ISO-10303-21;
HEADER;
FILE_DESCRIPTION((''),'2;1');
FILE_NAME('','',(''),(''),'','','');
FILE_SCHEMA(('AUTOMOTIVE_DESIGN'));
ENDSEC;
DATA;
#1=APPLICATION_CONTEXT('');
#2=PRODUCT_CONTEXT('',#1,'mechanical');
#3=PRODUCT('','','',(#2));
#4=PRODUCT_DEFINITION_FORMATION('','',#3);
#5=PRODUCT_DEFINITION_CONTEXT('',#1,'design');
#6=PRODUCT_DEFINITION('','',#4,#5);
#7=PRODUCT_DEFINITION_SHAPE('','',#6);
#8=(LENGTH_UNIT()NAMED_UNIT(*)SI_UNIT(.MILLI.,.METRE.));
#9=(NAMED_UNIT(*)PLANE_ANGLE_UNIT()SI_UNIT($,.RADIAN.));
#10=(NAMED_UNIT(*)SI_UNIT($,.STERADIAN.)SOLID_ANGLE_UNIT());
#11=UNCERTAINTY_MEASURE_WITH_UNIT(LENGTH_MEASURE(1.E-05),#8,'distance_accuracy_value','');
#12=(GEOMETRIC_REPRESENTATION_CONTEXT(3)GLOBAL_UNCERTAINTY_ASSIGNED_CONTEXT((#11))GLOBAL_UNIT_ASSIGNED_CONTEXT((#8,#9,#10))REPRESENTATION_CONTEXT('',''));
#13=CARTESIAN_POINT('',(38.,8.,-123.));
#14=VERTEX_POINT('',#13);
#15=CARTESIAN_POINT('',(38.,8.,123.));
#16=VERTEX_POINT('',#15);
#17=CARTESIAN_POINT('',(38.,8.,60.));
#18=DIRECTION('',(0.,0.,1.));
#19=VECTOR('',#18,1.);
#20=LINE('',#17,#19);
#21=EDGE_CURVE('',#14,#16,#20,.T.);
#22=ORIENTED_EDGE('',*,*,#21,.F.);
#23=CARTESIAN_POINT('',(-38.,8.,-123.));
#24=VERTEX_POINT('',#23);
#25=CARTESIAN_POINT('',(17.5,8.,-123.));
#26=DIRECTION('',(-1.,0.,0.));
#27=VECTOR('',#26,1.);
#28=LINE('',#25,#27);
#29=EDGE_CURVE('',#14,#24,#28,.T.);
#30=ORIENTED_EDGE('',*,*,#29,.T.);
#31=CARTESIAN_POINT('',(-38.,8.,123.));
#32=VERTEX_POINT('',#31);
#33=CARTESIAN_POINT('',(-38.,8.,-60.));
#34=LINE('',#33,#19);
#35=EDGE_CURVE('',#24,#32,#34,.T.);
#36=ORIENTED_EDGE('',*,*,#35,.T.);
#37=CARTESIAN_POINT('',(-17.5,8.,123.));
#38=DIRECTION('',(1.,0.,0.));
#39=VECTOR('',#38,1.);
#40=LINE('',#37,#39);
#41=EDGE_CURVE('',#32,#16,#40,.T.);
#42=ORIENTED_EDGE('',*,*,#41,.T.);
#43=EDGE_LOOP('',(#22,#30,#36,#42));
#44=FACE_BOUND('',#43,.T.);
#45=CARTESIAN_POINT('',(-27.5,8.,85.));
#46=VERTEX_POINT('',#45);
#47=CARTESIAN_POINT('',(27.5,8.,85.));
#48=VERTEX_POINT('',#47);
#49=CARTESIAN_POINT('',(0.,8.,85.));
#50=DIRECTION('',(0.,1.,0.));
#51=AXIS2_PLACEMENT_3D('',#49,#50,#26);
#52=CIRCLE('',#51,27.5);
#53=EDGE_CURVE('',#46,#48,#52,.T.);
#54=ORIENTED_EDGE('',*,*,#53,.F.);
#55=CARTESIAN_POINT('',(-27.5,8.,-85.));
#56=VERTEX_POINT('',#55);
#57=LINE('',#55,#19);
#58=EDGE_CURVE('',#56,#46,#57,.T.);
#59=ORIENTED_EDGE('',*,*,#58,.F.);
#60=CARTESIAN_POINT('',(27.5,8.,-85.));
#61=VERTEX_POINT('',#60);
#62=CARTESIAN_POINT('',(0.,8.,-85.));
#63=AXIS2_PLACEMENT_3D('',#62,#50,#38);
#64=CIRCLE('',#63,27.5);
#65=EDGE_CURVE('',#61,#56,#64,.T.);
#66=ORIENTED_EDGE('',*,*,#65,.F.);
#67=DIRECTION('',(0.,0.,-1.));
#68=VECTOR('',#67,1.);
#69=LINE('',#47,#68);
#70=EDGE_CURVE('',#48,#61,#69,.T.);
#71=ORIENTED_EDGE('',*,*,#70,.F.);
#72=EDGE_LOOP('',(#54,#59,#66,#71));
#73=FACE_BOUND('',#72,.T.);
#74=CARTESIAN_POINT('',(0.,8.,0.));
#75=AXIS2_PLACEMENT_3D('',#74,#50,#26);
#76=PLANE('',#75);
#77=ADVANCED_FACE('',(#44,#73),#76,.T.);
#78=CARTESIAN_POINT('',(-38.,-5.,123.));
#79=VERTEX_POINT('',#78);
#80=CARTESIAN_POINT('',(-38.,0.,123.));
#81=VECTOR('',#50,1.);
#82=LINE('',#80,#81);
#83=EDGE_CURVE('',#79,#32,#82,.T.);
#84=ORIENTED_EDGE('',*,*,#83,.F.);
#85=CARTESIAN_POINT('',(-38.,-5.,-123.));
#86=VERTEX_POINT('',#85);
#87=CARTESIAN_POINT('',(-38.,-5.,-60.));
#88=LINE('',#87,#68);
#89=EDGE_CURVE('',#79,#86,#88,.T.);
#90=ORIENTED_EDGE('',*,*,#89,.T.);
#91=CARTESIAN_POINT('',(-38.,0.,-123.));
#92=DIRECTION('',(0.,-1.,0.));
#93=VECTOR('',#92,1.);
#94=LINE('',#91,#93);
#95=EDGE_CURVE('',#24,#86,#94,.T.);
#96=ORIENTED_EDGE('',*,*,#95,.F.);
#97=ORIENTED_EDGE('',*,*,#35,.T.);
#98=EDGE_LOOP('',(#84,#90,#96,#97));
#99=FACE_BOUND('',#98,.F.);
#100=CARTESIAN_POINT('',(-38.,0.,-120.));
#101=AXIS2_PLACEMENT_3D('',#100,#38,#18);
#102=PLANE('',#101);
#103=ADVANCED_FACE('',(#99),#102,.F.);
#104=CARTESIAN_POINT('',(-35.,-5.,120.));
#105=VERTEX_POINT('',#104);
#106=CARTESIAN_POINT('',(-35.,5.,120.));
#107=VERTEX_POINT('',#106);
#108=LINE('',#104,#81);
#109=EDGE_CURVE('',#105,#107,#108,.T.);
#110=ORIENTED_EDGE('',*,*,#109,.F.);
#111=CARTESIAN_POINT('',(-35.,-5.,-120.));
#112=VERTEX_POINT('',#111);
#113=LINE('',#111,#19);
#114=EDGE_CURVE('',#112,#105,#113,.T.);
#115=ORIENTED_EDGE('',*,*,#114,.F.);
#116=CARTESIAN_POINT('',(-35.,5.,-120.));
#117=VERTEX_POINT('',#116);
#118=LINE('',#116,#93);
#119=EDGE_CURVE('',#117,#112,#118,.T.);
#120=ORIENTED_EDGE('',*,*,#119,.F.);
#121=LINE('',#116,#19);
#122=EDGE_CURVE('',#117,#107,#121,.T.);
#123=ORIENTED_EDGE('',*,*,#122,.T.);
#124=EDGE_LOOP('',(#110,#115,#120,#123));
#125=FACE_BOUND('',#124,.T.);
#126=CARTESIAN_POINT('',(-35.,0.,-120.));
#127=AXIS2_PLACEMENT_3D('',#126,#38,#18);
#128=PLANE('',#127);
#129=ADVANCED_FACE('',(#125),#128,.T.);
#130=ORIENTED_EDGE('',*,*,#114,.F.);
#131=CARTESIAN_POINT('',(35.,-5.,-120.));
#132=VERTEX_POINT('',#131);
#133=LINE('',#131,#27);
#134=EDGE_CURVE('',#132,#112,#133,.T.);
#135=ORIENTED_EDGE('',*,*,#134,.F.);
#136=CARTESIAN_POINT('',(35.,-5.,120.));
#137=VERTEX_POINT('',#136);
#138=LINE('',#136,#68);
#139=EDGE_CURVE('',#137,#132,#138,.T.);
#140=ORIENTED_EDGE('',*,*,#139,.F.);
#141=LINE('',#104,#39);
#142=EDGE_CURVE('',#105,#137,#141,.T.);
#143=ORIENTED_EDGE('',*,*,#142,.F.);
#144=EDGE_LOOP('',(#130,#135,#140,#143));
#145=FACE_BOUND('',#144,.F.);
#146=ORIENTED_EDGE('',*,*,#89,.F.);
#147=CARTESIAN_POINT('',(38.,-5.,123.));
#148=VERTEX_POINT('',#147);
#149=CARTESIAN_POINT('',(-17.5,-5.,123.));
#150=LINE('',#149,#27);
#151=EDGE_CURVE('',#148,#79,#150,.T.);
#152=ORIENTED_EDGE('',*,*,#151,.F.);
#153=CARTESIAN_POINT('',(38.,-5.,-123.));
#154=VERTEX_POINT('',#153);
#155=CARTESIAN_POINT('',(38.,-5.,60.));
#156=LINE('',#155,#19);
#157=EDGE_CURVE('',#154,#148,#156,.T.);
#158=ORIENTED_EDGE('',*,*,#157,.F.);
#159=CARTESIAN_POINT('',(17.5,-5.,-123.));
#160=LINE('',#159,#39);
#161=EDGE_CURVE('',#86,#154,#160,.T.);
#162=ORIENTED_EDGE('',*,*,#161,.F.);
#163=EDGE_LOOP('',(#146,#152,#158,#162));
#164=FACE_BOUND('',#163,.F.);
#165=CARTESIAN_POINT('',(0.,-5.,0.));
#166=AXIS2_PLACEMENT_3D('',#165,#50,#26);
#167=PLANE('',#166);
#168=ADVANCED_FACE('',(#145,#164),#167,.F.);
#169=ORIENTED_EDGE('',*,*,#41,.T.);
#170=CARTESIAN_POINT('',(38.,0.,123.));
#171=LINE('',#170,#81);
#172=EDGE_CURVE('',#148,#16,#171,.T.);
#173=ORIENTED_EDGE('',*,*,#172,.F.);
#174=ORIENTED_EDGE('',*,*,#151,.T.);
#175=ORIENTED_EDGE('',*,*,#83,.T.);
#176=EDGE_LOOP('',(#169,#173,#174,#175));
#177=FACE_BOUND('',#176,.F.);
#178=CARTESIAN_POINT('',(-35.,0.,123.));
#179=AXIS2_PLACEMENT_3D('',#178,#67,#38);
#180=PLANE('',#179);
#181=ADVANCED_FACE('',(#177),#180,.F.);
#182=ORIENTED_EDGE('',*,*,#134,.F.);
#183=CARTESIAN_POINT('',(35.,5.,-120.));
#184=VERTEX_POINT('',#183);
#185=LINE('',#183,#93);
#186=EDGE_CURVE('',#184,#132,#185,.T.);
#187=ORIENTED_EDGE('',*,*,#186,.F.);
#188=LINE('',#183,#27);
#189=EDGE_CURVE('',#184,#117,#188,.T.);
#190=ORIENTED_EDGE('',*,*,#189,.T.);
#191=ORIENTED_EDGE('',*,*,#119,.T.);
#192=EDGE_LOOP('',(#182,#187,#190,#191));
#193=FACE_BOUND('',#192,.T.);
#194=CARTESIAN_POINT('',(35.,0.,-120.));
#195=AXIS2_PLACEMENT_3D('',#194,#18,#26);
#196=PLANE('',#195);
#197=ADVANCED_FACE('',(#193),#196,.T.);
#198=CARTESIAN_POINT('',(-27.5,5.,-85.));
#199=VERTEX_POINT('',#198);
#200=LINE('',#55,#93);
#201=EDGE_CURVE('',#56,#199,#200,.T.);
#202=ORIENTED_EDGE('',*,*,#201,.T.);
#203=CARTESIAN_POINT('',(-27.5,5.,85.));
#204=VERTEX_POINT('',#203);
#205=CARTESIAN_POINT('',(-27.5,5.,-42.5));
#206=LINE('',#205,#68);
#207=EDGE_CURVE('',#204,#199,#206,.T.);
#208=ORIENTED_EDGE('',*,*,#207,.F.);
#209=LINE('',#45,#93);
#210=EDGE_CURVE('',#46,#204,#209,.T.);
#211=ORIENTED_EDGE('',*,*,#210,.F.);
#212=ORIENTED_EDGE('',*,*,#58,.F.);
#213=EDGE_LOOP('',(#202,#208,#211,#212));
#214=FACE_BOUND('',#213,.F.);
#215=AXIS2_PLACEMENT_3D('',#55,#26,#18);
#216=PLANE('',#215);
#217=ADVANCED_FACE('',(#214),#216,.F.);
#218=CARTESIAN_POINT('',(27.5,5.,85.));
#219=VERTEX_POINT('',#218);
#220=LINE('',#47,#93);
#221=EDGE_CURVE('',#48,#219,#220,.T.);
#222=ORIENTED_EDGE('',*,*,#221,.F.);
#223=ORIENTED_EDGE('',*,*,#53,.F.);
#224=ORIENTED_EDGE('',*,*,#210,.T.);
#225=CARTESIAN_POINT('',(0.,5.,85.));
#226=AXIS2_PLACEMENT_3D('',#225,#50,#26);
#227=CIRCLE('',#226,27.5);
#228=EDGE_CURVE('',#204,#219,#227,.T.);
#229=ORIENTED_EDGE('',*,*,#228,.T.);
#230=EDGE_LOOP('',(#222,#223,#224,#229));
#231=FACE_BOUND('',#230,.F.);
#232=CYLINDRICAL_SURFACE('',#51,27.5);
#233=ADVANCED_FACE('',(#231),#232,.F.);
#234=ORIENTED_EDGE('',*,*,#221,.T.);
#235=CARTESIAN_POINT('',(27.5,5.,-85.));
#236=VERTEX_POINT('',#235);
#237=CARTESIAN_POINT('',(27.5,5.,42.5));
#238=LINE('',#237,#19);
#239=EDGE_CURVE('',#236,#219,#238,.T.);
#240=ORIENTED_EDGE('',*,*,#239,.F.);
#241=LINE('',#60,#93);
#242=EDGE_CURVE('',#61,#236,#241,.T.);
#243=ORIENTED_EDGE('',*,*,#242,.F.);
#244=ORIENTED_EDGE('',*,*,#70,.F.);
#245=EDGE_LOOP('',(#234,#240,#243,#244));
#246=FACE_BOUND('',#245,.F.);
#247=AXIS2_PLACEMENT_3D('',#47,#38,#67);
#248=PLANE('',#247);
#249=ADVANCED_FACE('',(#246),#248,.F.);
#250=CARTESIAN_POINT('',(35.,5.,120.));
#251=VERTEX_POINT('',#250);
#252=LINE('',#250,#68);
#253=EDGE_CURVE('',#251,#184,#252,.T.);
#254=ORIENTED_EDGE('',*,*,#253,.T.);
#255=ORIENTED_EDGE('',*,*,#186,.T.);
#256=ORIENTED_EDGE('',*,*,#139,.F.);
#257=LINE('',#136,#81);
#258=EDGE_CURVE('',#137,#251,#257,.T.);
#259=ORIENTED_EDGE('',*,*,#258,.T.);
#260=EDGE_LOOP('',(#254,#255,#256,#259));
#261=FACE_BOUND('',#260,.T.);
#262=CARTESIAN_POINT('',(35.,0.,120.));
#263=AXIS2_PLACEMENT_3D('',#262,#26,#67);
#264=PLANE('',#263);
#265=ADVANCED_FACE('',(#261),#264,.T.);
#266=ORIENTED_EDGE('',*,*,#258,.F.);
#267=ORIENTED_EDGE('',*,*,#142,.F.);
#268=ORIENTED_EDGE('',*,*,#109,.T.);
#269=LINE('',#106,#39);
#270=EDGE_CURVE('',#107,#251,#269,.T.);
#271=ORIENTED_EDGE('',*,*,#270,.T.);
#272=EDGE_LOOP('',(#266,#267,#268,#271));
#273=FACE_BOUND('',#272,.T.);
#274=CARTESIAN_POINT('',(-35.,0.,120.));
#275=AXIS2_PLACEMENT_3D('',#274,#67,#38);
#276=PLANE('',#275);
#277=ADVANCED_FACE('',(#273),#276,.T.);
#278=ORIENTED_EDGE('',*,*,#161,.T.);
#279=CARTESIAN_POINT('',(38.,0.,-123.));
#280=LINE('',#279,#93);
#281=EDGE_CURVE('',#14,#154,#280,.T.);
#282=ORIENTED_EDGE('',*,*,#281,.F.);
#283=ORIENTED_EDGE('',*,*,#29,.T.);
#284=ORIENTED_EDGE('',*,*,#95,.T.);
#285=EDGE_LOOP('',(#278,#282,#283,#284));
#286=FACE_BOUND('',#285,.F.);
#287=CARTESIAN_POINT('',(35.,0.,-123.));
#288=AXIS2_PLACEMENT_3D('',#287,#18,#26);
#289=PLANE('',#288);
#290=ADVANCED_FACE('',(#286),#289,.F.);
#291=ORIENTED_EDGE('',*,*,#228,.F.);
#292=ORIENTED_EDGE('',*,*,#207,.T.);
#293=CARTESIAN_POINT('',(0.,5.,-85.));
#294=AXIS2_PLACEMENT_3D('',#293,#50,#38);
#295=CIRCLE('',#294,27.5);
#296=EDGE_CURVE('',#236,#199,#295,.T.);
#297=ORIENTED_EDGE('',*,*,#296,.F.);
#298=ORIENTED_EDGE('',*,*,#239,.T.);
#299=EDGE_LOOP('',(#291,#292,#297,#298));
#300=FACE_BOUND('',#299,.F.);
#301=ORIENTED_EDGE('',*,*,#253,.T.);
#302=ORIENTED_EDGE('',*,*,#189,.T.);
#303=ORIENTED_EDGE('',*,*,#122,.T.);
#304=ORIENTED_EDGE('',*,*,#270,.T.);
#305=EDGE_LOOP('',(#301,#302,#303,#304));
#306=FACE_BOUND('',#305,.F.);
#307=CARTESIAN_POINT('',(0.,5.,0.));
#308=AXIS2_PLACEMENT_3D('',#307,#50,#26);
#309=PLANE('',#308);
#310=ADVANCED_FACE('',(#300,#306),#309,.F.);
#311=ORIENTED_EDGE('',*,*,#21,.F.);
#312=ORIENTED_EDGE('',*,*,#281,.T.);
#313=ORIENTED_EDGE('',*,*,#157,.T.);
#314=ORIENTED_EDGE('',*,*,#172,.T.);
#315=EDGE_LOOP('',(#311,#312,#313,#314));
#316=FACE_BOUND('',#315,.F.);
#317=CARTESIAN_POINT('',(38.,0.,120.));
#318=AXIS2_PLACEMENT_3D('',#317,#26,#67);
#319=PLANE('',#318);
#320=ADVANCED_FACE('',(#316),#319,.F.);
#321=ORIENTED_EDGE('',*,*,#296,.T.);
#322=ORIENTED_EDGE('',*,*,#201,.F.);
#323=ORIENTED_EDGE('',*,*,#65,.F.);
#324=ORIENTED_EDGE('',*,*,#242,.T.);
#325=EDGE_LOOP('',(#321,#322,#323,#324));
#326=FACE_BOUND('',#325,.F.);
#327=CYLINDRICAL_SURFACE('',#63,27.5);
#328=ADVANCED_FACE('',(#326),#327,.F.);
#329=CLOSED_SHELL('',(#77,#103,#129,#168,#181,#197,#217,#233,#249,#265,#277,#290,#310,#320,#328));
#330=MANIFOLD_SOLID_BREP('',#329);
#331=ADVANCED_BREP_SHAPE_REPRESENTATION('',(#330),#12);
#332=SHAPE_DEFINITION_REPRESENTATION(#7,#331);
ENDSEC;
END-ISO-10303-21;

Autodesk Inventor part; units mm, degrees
sketch "Эскиз1" plane through (0, 0, 0) normal (0, 1, 0) x (-1, 0, 0)
  line L0 (35, 120) -> (-35, 120)
  line L1 (-35, 120) -> (-35, -120)
  line L2 (-35, -120) -> (35, -120)
  line L3 (35, -120) -> (35, 120)
  line L4 (35, 120) -> (-35, -120) construction
  line L5 (-35, 120) -> (35, -120) construction
  point P0 (0, 0)
  dimension "d0" = 70
  dimension "d1" = 240
extrude "Выдавливание1" add sketch "Эскиз1" along normal mid plane 10
shell "Оболочка1" thickness 3 outward yes removed faces 1 at (-11.6667, -5, -40)
sketch "Эскиз2" plane through (0, 8, 0) normal (0, 1, 0) x (1, 0, 0)
  line L0 (0, 85) -> (0, -85) construction
  line L1 (-27.5, 85) -> (-27.5, -85)
  line L2 (27.5, -85) -> (27.5, 85)
  arc A0 (27.5, 85) -> (-27.5, 85) centre (0, 85) ccw
  arc A1 (-27.5, -85) -> (27.5, -85) centre (0, -85) ccw
  point P0 (0, 0)
  point P1 (0, -112.5)
  point P2 (0, 112.5)
  dimension "d5" = 225
  dimension "d6" = 55
extrude "Выдавливание2" cut sketch "Эскиз2" against normal up to next
properties part number "Крышка_крепления_динамика"
